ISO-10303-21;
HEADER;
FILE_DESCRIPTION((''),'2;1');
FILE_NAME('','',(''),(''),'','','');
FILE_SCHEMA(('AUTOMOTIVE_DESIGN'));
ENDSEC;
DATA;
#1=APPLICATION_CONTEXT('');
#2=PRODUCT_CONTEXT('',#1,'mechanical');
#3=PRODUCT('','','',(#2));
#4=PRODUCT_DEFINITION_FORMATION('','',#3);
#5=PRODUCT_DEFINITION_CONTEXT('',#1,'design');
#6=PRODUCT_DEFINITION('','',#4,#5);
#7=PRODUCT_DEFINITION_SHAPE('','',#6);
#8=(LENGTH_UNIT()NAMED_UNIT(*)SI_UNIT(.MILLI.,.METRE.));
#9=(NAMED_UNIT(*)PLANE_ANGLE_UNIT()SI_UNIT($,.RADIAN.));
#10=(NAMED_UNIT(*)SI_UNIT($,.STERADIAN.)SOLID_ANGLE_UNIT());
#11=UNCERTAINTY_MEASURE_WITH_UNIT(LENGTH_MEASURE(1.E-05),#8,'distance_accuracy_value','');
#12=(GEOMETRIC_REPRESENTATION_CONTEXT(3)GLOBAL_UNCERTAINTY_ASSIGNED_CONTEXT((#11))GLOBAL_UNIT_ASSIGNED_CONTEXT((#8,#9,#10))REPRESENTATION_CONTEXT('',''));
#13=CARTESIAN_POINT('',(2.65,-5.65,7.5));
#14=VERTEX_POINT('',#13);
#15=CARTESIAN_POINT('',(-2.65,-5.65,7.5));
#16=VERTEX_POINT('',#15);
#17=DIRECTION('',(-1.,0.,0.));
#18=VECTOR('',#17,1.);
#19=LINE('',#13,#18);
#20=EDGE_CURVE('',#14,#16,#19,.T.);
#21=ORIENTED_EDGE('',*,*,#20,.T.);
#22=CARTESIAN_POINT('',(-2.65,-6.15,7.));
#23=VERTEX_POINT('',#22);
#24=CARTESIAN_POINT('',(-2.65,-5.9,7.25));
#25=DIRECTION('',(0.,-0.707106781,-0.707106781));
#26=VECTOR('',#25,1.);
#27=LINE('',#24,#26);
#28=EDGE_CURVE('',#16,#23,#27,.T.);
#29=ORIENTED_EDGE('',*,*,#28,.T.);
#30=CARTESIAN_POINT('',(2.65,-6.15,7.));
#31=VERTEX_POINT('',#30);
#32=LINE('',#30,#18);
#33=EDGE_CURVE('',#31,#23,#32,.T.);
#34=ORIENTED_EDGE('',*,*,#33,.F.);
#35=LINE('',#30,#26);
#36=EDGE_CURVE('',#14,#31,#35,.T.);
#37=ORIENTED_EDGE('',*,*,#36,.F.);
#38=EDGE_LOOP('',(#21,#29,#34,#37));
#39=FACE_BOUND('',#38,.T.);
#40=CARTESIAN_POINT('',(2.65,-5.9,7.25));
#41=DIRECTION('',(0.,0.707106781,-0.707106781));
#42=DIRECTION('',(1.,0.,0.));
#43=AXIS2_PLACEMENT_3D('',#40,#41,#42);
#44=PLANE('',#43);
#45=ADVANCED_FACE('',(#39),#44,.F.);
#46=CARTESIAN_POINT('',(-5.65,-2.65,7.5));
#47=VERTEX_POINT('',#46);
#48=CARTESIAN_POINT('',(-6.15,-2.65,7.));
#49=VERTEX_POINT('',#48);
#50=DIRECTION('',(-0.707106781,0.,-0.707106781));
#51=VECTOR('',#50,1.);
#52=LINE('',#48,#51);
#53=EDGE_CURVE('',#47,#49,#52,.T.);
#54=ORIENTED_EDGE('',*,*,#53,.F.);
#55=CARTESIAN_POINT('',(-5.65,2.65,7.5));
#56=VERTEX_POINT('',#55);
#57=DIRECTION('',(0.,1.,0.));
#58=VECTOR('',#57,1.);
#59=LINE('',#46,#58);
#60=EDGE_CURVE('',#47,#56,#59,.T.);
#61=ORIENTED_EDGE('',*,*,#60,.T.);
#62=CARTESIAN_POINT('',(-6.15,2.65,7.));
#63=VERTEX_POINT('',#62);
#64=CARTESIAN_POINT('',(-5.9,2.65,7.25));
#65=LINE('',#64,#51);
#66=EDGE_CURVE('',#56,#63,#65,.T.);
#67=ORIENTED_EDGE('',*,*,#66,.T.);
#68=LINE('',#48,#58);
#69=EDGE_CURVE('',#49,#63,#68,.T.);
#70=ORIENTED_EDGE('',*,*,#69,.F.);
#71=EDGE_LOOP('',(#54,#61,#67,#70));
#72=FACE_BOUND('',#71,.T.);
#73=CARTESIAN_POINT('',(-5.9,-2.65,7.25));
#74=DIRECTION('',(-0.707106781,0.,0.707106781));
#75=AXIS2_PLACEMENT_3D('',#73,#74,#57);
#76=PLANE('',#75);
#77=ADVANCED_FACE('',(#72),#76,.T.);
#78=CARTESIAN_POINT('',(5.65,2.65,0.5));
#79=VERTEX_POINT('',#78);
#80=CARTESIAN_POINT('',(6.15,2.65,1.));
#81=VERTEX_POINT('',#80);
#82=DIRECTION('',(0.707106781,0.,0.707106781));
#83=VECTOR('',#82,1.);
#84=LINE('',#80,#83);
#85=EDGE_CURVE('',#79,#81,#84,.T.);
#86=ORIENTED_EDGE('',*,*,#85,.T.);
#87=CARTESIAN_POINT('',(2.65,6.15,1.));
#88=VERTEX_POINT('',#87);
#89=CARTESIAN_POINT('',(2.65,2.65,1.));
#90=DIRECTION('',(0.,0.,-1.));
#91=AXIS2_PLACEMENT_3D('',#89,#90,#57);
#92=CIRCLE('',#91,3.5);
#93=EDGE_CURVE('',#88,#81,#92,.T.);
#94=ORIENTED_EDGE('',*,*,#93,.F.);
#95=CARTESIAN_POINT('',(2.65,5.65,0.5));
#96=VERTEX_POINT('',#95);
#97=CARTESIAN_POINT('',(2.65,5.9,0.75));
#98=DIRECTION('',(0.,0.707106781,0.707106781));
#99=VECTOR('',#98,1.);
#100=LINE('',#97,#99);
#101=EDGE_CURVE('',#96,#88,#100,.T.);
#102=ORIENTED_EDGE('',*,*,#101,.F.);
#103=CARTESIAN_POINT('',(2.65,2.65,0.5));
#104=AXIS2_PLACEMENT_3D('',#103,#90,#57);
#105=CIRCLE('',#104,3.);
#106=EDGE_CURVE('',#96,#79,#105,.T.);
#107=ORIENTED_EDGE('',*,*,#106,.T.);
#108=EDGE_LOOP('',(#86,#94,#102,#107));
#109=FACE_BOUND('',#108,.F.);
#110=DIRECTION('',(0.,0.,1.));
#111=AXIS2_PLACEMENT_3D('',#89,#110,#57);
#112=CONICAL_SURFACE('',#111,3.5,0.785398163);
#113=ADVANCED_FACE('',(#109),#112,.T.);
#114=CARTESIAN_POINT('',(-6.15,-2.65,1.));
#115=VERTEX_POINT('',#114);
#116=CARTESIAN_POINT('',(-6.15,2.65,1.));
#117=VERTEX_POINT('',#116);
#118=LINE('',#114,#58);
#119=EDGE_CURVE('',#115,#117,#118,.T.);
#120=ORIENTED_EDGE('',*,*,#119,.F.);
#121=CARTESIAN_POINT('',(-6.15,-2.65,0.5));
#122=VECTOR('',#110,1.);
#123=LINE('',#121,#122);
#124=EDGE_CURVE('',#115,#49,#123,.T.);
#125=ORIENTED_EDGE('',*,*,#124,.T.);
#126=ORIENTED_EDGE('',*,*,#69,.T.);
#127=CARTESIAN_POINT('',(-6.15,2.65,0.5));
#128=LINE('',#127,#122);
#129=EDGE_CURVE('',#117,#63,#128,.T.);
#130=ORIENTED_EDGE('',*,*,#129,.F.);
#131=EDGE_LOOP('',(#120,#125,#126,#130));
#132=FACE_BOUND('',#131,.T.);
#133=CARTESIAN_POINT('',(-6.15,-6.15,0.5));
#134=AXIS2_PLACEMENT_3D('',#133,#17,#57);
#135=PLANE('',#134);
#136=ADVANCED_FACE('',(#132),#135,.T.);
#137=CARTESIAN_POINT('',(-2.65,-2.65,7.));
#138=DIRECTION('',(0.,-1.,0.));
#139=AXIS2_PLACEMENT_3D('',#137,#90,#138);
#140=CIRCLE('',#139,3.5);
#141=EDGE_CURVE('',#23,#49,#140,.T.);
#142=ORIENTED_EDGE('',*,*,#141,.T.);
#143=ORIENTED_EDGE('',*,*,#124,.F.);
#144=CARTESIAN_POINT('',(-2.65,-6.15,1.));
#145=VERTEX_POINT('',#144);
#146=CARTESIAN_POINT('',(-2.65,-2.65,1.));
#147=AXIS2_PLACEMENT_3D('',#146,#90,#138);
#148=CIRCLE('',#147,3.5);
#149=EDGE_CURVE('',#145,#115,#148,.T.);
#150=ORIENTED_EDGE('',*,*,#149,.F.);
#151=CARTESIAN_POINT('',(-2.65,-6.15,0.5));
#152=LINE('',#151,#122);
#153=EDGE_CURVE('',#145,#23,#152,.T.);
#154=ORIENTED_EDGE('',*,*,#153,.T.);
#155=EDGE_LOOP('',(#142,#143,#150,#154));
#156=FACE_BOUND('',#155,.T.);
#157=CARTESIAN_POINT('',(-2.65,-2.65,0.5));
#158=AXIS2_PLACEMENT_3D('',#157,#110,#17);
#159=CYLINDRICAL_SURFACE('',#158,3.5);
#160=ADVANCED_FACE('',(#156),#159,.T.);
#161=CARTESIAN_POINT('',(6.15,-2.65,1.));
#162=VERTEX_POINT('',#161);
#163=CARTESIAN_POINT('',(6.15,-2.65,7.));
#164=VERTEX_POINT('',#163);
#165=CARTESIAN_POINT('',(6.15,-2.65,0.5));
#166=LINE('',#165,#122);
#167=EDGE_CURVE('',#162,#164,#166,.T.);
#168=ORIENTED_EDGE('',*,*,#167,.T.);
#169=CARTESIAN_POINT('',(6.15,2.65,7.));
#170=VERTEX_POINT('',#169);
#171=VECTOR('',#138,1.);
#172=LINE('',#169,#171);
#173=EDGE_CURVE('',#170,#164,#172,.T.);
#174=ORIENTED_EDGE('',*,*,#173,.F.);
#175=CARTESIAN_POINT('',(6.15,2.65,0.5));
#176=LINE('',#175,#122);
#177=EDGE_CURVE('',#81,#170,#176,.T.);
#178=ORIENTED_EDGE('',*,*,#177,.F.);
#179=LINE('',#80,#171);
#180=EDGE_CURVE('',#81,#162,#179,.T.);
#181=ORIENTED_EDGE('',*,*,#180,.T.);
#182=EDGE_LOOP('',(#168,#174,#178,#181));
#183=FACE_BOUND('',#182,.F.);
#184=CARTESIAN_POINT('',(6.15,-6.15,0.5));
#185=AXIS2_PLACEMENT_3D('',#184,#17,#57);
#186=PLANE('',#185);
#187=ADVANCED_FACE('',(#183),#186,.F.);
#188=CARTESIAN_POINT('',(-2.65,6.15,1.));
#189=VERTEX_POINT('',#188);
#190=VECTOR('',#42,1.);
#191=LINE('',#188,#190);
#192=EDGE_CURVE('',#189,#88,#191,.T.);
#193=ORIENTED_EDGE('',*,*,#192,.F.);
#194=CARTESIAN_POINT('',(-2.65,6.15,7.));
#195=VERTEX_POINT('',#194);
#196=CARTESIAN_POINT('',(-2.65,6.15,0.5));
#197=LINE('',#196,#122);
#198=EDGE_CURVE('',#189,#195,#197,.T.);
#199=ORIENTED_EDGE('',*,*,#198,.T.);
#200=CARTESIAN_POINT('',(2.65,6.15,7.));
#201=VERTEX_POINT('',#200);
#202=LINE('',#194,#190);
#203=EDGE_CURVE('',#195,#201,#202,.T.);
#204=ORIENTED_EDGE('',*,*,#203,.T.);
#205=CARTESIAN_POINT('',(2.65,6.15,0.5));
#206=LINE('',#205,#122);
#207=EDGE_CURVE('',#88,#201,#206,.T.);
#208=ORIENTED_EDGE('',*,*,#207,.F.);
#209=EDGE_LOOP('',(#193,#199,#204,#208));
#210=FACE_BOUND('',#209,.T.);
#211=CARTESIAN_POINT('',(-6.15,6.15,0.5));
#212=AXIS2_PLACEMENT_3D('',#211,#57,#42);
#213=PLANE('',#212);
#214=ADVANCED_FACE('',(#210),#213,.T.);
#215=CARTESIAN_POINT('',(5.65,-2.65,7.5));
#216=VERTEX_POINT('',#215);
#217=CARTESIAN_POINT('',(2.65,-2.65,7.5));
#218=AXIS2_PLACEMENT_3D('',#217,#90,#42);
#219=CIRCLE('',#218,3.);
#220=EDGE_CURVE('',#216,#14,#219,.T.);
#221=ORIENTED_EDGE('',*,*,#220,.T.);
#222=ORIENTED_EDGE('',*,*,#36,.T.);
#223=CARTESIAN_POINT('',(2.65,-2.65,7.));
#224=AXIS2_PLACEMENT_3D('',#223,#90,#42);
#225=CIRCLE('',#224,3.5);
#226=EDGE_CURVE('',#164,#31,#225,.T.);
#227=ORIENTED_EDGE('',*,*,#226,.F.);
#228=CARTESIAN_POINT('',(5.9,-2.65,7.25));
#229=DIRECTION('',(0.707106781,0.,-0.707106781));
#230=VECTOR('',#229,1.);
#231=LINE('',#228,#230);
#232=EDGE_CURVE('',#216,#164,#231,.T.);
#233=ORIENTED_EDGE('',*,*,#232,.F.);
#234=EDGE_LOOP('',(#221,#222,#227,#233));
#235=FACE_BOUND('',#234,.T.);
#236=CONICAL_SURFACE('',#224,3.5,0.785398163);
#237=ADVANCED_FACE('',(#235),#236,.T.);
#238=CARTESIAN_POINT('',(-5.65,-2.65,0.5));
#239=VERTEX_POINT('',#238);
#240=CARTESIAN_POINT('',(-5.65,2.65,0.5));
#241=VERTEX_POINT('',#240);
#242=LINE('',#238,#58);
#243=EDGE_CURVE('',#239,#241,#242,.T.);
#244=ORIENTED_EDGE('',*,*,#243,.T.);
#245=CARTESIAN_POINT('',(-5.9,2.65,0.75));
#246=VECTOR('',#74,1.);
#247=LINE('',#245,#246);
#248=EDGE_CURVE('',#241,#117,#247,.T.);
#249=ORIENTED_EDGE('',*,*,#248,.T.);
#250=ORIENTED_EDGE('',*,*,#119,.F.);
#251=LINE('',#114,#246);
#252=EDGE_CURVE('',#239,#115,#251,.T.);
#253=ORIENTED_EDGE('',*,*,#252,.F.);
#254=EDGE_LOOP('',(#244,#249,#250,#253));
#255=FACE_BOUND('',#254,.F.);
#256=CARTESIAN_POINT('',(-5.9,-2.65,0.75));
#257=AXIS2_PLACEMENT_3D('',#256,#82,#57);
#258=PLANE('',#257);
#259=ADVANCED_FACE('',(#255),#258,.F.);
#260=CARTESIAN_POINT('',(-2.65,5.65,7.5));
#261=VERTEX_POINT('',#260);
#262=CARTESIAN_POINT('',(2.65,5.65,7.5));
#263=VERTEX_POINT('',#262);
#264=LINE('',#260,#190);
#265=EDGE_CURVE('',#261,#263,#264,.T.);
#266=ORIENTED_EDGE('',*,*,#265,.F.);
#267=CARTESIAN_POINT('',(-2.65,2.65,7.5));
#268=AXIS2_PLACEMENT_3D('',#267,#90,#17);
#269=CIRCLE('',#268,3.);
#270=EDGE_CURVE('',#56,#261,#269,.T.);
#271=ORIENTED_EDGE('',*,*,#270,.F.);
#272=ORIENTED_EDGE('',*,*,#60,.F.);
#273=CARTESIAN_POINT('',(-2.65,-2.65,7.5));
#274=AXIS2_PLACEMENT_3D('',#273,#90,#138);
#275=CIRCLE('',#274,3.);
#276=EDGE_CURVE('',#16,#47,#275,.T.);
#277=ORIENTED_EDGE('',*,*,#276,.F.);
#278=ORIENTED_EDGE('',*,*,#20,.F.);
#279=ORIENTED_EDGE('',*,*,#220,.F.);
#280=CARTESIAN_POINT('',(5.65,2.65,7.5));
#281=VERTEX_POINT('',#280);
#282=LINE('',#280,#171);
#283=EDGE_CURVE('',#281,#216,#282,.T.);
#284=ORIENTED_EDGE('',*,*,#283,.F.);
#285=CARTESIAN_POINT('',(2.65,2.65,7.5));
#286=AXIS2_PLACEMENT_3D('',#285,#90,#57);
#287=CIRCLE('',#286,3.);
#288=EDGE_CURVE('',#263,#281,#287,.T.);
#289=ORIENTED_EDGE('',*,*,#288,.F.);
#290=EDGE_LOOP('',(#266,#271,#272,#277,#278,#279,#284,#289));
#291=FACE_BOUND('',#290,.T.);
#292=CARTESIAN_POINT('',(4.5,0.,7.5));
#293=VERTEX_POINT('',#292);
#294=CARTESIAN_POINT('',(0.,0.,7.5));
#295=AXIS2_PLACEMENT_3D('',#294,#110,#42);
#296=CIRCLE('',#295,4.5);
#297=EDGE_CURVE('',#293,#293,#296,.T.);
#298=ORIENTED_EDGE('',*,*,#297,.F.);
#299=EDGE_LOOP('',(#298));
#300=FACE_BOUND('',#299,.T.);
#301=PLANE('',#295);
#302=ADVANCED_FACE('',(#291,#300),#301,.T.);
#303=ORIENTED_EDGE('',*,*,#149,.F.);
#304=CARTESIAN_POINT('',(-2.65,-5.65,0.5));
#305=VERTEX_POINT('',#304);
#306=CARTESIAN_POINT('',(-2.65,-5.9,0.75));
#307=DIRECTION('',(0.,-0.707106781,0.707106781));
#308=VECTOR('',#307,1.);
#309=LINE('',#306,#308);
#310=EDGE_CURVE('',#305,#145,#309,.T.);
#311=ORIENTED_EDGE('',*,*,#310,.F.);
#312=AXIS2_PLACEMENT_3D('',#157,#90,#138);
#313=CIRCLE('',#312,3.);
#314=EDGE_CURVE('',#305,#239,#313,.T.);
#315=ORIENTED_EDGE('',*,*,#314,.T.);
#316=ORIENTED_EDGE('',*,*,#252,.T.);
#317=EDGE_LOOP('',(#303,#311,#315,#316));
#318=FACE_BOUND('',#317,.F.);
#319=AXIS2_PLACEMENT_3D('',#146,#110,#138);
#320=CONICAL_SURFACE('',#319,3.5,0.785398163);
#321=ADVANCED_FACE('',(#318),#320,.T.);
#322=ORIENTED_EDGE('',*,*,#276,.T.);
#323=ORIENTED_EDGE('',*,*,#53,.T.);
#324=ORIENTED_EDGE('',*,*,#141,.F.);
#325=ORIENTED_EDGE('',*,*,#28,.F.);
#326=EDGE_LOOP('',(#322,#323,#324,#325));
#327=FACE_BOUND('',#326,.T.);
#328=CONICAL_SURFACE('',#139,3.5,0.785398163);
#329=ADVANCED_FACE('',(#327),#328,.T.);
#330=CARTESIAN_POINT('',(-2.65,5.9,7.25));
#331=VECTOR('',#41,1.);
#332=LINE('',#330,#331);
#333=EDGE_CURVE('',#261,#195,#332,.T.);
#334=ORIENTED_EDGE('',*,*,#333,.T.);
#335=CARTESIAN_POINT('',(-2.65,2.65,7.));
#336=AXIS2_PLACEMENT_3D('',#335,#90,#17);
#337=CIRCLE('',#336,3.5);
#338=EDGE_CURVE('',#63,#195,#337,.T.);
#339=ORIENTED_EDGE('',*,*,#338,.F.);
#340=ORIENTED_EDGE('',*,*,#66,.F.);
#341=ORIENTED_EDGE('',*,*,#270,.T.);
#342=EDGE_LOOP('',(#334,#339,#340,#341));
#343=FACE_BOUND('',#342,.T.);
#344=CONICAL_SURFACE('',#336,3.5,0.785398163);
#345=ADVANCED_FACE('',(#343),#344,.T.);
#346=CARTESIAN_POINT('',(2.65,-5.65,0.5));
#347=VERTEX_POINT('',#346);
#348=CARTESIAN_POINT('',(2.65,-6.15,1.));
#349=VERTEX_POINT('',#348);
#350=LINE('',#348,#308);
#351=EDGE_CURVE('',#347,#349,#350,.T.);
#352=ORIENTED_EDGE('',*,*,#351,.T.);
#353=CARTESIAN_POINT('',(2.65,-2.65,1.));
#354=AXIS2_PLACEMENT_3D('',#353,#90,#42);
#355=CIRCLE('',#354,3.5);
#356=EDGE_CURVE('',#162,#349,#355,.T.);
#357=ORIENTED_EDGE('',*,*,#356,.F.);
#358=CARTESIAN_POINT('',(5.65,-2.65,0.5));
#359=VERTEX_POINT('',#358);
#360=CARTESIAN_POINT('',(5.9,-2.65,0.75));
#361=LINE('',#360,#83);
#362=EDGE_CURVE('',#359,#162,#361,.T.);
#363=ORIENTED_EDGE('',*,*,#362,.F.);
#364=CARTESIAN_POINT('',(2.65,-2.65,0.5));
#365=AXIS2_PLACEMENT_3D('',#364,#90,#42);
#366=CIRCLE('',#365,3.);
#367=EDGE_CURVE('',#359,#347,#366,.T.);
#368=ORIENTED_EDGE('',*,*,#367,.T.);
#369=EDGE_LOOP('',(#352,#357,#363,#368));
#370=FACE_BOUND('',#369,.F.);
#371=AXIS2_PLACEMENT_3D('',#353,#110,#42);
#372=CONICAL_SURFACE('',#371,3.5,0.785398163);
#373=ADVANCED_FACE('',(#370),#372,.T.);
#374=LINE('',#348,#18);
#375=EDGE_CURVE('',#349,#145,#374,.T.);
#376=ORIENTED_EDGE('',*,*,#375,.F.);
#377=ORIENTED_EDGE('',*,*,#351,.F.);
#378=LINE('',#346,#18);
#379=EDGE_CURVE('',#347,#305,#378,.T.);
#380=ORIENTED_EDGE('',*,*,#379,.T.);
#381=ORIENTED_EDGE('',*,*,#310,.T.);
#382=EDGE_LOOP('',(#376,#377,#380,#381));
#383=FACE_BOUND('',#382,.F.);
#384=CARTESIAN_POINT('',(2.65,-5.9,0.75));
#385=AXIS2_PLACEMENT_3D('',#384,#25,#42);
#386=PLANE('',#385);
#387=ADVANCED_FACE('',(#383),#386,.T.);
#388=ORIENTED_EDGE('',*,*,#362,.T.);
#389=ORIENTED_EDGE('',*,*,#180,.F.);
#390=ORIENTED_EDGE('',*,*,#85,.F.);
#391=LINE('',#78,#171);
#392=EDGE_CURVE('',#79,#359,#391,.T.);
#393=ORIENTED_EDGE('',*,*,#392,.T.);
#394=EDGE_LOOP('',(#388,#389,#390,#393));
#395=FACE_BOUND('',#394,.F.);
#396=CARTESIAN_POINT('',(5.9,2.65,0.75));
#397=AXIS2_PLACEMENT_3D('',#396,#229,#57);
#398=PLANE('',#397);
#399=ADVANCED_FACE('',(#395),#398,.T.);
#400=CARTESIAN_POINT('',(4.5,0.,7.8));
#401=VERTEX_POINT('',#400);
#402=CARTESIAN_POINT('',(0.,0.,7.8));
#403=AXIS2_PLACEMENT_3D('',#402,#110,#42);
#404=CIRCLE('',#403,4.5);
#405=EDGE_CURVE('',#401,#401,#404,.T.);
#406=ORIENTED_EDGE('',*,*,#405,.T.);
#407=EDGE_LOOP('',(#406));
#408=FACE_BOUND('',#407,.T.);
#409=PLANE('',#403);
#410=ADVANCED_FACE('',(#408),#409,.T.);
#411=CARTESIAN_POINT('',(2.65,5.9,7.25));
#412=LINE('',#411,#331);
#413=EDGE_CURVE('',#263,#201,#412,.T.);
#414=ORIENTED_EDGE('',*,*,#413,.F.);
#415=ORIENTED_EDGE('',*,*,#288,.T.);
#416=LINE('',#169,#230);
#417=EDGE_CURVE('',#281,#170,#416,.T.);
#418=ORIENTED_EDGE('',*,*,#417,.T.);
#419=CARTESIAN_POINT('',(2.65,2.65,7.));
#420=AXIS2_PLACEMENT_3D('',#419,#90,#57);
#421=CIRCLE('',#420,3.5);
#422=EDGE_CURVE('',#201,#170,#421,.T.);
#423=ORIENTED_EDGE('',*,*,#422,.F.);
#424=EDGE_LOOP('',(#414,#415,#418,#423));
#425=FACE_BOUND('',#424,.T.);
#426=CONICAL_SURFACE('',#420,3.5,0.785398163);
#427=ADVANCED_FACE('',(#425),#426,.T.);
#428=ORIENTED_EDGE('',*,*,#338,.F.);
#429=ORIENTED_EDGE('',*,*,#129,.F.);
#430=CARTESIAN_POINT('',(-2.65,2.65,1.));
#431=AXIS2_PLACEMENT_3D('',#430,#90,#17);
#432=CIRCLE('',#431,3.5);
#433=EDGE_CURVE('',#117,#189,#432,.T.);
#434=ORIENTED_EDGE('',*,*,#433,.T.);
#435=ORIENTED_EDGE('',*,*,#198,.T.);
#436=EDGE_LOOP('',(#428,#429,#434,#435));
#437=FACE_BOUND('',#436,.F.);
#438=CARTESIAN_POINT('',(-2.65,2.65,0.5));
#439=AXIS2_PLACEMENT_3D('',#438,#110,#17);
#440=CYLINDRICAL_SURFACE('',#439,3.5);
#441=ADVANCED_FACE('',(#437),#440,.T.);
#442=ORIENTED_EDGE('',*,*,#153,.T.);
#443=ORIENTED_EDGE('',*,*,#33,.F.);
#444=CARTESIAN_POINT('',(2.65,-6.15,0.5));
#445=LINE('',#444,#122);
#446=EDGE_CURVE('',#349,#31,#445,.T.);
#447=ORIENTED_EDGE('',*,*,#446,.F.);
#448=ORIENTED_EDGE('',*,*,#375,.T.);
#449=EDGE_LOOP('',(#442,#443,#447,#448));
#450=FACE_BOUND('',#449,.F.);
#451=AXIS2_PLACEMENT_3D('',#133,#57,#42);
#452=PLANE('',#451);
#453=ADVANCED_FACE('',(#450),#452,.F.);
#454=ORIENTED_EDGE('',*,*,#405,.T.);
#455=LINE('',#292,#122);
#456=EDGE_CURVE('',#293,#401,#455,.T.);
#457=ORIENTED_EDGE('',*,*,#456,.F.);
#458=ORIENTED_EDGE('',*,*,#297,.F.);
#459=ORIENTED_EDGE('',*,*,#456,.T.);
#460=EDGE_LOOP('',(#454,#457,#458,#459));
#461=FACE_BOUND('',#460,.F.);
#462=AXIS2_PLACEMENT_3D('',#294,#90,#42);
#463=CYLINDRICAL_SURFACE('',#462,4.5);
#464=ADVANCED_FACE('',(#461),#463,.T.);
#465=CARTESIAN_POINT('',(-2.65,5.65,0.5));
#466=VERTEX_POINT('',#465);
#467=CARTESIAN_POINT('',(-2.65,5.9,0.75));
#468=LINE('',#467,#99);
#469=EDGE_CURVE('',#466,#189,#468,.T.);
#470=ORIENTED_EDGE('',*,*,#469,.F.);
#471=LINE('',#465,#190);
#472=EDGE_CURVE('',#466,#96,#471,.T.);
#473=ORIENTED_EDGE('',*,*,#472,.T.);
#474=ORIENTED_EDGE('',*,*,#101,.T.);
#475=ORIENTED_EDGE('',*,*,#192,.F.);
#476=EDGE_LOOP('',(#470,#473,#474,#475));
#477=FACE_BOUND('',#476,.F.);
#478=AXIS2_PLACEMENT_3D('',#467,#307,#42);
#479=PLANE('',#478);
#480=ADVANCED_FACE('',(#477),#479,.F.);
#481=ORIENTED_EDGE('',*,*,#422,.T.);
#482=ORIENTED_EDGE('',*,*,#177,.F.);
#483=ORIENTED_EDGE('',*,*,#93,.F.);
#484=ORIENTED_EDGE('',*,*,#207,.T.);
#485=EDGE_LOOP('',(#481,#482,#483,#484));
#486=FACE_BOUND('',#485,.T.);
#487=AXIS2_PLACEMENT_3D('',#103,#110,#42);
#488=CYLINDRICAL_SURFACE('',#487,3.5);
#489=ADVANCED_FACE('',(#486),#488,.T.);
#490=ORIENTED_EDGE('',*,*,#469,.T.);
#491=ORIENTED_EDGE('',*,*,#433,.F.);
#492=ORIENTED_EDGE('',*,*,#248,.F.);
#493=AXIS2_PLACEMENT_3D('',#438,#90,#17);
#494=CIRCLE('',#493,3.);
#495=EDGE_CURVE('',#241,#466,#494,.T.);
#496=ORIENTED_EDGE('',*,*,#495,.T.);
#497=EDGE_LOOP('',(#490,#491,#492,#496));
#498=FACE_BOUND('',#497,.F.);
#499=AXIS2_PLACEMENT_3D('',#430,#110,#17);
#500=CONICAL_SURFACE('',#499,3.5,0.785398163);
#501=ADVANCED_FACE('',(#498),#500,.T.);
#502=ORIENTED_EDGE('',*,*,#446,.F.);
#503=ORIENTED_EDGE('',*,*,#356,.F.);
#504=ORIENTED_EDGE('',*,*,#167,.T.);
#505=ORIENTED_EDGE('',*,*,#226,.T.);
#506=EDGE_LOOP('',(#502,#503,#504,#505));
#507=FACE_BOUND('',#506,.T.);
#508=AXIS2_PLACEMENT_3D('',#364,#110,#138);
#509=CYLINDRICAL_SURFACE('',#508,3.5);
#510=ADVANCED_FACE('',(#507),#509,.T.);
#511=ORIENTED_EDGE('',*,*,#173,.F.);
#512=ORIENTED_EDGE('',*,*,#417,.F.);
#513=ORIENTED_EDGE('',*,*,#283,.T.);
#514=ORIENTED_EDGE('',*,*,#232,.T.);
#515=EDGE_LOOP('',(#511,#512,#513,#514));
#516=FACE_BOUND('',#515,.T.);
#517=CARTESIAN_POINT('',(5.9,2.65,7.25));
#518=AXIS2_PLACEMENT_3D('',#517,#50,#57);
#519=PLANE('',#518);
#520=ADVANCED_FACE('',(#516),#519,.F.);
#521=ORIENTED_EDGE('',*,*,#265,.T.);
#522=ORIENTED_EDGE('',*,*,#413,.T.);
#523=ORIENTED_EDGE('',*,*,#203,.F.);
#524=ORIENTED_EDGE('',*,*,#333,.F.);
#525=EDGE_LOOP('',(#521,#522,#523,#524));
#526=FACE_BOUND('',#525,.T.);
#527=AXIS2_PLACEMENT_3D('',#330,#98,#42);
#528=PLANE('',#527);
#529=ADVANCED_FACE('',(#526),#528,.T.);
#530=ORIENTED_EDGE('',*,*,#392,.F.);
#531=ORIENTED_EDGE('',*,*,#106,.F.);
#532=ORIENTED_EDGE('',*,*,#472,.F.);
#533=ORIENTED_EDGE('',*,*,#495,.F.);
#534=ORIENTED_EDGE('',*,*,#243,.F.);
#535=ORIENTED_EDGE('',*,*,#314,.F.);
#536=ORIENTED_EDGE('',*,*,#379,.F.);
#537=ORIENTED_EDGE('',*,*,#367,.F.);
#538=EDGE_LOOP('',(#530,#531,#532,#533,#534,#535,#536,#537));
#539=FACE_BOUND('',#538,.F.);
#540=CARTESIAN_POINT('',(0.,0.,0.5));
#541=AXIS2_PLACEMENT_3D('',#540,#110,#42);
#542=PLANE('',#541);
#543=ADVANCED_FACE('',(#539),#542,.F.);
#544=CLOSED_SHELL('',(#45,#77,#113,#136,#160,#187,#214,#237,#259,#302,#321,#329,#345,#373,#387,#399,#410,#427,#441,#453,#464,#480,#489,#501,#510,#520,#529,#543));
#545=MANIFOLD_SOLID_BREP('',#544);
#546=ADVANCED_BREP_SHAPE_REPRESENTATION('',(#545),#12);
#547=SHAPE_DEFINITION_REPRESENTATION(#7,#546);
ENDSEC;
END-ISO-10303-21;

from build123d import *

# Parameters (mm, degrees)
SKETCH_W     = 12.3
SKETCH_H     = 12.3
PAD_DEPTH    = 7
FILLET_R     = 3.5
CHAMFER_SIZE = 0.5
SKETCH002_R  = 4.5
PAD002_DEPTH = 0.3


with BuildPart() as part:
    # Sketch → Pad (new body)
    with BuildSketch(Plane.XY.offset(0.5)):
        Rectangle(SKETCH_W, SKETCH_H)
    extrude(amount=PAD_DEPTH)

    # Fillet
    fillet_edges = [part.edges().sort_by_distance(p)[0] for p in [
        (6.15, 6.15, 4),
        (6.15, -6.15, 4),
        (-6.15, 6.15, 4),
        (-6.15, -6.15, 4),
    ]]
    fillet(fillet_edges, radius=FILLET_R)

    # Chamfer
    chamfer_edges = [part.edges().sort_by_distance(p)[0] for p in [
        (0, 6.15, 7.5),
        (-5.124874, 5.124874, 7.5),
        (5.124874, 5.124874, 7.5),
        (-6.15, 0, 7.5),
        (6.15, 0, 7.5),
        (-5.124874, -5.124874, 7.5),
        (5.124874, -5.124874, 7.5),
        (0, -6.15, 7.5),
        (0, 6.15, 0.5),
        (-5.124874, 5.124874, 0.5),
        (5.124874, 5.124874, 0.5),
        (-6.15, 0, 0.5),
        (6.15, 0, 0.5),
        (-5.124874, -5.124874, 0.5),
        (5.124874, -5.124874, 0.5),
        (0, -6.15, 0.5),
    ]]
    chamfer(chamfer_edges, length=CHAMFER_SIZE)

    # Sketch002 (on Face11 of Chamfer) → Pad002 (join)
    with BuildSketch(Plane.XY.offset(7.5)):
        Circle(SKETCH002_R)
    extrude(amount=PAD002_DEPTH)


solid = part.part
